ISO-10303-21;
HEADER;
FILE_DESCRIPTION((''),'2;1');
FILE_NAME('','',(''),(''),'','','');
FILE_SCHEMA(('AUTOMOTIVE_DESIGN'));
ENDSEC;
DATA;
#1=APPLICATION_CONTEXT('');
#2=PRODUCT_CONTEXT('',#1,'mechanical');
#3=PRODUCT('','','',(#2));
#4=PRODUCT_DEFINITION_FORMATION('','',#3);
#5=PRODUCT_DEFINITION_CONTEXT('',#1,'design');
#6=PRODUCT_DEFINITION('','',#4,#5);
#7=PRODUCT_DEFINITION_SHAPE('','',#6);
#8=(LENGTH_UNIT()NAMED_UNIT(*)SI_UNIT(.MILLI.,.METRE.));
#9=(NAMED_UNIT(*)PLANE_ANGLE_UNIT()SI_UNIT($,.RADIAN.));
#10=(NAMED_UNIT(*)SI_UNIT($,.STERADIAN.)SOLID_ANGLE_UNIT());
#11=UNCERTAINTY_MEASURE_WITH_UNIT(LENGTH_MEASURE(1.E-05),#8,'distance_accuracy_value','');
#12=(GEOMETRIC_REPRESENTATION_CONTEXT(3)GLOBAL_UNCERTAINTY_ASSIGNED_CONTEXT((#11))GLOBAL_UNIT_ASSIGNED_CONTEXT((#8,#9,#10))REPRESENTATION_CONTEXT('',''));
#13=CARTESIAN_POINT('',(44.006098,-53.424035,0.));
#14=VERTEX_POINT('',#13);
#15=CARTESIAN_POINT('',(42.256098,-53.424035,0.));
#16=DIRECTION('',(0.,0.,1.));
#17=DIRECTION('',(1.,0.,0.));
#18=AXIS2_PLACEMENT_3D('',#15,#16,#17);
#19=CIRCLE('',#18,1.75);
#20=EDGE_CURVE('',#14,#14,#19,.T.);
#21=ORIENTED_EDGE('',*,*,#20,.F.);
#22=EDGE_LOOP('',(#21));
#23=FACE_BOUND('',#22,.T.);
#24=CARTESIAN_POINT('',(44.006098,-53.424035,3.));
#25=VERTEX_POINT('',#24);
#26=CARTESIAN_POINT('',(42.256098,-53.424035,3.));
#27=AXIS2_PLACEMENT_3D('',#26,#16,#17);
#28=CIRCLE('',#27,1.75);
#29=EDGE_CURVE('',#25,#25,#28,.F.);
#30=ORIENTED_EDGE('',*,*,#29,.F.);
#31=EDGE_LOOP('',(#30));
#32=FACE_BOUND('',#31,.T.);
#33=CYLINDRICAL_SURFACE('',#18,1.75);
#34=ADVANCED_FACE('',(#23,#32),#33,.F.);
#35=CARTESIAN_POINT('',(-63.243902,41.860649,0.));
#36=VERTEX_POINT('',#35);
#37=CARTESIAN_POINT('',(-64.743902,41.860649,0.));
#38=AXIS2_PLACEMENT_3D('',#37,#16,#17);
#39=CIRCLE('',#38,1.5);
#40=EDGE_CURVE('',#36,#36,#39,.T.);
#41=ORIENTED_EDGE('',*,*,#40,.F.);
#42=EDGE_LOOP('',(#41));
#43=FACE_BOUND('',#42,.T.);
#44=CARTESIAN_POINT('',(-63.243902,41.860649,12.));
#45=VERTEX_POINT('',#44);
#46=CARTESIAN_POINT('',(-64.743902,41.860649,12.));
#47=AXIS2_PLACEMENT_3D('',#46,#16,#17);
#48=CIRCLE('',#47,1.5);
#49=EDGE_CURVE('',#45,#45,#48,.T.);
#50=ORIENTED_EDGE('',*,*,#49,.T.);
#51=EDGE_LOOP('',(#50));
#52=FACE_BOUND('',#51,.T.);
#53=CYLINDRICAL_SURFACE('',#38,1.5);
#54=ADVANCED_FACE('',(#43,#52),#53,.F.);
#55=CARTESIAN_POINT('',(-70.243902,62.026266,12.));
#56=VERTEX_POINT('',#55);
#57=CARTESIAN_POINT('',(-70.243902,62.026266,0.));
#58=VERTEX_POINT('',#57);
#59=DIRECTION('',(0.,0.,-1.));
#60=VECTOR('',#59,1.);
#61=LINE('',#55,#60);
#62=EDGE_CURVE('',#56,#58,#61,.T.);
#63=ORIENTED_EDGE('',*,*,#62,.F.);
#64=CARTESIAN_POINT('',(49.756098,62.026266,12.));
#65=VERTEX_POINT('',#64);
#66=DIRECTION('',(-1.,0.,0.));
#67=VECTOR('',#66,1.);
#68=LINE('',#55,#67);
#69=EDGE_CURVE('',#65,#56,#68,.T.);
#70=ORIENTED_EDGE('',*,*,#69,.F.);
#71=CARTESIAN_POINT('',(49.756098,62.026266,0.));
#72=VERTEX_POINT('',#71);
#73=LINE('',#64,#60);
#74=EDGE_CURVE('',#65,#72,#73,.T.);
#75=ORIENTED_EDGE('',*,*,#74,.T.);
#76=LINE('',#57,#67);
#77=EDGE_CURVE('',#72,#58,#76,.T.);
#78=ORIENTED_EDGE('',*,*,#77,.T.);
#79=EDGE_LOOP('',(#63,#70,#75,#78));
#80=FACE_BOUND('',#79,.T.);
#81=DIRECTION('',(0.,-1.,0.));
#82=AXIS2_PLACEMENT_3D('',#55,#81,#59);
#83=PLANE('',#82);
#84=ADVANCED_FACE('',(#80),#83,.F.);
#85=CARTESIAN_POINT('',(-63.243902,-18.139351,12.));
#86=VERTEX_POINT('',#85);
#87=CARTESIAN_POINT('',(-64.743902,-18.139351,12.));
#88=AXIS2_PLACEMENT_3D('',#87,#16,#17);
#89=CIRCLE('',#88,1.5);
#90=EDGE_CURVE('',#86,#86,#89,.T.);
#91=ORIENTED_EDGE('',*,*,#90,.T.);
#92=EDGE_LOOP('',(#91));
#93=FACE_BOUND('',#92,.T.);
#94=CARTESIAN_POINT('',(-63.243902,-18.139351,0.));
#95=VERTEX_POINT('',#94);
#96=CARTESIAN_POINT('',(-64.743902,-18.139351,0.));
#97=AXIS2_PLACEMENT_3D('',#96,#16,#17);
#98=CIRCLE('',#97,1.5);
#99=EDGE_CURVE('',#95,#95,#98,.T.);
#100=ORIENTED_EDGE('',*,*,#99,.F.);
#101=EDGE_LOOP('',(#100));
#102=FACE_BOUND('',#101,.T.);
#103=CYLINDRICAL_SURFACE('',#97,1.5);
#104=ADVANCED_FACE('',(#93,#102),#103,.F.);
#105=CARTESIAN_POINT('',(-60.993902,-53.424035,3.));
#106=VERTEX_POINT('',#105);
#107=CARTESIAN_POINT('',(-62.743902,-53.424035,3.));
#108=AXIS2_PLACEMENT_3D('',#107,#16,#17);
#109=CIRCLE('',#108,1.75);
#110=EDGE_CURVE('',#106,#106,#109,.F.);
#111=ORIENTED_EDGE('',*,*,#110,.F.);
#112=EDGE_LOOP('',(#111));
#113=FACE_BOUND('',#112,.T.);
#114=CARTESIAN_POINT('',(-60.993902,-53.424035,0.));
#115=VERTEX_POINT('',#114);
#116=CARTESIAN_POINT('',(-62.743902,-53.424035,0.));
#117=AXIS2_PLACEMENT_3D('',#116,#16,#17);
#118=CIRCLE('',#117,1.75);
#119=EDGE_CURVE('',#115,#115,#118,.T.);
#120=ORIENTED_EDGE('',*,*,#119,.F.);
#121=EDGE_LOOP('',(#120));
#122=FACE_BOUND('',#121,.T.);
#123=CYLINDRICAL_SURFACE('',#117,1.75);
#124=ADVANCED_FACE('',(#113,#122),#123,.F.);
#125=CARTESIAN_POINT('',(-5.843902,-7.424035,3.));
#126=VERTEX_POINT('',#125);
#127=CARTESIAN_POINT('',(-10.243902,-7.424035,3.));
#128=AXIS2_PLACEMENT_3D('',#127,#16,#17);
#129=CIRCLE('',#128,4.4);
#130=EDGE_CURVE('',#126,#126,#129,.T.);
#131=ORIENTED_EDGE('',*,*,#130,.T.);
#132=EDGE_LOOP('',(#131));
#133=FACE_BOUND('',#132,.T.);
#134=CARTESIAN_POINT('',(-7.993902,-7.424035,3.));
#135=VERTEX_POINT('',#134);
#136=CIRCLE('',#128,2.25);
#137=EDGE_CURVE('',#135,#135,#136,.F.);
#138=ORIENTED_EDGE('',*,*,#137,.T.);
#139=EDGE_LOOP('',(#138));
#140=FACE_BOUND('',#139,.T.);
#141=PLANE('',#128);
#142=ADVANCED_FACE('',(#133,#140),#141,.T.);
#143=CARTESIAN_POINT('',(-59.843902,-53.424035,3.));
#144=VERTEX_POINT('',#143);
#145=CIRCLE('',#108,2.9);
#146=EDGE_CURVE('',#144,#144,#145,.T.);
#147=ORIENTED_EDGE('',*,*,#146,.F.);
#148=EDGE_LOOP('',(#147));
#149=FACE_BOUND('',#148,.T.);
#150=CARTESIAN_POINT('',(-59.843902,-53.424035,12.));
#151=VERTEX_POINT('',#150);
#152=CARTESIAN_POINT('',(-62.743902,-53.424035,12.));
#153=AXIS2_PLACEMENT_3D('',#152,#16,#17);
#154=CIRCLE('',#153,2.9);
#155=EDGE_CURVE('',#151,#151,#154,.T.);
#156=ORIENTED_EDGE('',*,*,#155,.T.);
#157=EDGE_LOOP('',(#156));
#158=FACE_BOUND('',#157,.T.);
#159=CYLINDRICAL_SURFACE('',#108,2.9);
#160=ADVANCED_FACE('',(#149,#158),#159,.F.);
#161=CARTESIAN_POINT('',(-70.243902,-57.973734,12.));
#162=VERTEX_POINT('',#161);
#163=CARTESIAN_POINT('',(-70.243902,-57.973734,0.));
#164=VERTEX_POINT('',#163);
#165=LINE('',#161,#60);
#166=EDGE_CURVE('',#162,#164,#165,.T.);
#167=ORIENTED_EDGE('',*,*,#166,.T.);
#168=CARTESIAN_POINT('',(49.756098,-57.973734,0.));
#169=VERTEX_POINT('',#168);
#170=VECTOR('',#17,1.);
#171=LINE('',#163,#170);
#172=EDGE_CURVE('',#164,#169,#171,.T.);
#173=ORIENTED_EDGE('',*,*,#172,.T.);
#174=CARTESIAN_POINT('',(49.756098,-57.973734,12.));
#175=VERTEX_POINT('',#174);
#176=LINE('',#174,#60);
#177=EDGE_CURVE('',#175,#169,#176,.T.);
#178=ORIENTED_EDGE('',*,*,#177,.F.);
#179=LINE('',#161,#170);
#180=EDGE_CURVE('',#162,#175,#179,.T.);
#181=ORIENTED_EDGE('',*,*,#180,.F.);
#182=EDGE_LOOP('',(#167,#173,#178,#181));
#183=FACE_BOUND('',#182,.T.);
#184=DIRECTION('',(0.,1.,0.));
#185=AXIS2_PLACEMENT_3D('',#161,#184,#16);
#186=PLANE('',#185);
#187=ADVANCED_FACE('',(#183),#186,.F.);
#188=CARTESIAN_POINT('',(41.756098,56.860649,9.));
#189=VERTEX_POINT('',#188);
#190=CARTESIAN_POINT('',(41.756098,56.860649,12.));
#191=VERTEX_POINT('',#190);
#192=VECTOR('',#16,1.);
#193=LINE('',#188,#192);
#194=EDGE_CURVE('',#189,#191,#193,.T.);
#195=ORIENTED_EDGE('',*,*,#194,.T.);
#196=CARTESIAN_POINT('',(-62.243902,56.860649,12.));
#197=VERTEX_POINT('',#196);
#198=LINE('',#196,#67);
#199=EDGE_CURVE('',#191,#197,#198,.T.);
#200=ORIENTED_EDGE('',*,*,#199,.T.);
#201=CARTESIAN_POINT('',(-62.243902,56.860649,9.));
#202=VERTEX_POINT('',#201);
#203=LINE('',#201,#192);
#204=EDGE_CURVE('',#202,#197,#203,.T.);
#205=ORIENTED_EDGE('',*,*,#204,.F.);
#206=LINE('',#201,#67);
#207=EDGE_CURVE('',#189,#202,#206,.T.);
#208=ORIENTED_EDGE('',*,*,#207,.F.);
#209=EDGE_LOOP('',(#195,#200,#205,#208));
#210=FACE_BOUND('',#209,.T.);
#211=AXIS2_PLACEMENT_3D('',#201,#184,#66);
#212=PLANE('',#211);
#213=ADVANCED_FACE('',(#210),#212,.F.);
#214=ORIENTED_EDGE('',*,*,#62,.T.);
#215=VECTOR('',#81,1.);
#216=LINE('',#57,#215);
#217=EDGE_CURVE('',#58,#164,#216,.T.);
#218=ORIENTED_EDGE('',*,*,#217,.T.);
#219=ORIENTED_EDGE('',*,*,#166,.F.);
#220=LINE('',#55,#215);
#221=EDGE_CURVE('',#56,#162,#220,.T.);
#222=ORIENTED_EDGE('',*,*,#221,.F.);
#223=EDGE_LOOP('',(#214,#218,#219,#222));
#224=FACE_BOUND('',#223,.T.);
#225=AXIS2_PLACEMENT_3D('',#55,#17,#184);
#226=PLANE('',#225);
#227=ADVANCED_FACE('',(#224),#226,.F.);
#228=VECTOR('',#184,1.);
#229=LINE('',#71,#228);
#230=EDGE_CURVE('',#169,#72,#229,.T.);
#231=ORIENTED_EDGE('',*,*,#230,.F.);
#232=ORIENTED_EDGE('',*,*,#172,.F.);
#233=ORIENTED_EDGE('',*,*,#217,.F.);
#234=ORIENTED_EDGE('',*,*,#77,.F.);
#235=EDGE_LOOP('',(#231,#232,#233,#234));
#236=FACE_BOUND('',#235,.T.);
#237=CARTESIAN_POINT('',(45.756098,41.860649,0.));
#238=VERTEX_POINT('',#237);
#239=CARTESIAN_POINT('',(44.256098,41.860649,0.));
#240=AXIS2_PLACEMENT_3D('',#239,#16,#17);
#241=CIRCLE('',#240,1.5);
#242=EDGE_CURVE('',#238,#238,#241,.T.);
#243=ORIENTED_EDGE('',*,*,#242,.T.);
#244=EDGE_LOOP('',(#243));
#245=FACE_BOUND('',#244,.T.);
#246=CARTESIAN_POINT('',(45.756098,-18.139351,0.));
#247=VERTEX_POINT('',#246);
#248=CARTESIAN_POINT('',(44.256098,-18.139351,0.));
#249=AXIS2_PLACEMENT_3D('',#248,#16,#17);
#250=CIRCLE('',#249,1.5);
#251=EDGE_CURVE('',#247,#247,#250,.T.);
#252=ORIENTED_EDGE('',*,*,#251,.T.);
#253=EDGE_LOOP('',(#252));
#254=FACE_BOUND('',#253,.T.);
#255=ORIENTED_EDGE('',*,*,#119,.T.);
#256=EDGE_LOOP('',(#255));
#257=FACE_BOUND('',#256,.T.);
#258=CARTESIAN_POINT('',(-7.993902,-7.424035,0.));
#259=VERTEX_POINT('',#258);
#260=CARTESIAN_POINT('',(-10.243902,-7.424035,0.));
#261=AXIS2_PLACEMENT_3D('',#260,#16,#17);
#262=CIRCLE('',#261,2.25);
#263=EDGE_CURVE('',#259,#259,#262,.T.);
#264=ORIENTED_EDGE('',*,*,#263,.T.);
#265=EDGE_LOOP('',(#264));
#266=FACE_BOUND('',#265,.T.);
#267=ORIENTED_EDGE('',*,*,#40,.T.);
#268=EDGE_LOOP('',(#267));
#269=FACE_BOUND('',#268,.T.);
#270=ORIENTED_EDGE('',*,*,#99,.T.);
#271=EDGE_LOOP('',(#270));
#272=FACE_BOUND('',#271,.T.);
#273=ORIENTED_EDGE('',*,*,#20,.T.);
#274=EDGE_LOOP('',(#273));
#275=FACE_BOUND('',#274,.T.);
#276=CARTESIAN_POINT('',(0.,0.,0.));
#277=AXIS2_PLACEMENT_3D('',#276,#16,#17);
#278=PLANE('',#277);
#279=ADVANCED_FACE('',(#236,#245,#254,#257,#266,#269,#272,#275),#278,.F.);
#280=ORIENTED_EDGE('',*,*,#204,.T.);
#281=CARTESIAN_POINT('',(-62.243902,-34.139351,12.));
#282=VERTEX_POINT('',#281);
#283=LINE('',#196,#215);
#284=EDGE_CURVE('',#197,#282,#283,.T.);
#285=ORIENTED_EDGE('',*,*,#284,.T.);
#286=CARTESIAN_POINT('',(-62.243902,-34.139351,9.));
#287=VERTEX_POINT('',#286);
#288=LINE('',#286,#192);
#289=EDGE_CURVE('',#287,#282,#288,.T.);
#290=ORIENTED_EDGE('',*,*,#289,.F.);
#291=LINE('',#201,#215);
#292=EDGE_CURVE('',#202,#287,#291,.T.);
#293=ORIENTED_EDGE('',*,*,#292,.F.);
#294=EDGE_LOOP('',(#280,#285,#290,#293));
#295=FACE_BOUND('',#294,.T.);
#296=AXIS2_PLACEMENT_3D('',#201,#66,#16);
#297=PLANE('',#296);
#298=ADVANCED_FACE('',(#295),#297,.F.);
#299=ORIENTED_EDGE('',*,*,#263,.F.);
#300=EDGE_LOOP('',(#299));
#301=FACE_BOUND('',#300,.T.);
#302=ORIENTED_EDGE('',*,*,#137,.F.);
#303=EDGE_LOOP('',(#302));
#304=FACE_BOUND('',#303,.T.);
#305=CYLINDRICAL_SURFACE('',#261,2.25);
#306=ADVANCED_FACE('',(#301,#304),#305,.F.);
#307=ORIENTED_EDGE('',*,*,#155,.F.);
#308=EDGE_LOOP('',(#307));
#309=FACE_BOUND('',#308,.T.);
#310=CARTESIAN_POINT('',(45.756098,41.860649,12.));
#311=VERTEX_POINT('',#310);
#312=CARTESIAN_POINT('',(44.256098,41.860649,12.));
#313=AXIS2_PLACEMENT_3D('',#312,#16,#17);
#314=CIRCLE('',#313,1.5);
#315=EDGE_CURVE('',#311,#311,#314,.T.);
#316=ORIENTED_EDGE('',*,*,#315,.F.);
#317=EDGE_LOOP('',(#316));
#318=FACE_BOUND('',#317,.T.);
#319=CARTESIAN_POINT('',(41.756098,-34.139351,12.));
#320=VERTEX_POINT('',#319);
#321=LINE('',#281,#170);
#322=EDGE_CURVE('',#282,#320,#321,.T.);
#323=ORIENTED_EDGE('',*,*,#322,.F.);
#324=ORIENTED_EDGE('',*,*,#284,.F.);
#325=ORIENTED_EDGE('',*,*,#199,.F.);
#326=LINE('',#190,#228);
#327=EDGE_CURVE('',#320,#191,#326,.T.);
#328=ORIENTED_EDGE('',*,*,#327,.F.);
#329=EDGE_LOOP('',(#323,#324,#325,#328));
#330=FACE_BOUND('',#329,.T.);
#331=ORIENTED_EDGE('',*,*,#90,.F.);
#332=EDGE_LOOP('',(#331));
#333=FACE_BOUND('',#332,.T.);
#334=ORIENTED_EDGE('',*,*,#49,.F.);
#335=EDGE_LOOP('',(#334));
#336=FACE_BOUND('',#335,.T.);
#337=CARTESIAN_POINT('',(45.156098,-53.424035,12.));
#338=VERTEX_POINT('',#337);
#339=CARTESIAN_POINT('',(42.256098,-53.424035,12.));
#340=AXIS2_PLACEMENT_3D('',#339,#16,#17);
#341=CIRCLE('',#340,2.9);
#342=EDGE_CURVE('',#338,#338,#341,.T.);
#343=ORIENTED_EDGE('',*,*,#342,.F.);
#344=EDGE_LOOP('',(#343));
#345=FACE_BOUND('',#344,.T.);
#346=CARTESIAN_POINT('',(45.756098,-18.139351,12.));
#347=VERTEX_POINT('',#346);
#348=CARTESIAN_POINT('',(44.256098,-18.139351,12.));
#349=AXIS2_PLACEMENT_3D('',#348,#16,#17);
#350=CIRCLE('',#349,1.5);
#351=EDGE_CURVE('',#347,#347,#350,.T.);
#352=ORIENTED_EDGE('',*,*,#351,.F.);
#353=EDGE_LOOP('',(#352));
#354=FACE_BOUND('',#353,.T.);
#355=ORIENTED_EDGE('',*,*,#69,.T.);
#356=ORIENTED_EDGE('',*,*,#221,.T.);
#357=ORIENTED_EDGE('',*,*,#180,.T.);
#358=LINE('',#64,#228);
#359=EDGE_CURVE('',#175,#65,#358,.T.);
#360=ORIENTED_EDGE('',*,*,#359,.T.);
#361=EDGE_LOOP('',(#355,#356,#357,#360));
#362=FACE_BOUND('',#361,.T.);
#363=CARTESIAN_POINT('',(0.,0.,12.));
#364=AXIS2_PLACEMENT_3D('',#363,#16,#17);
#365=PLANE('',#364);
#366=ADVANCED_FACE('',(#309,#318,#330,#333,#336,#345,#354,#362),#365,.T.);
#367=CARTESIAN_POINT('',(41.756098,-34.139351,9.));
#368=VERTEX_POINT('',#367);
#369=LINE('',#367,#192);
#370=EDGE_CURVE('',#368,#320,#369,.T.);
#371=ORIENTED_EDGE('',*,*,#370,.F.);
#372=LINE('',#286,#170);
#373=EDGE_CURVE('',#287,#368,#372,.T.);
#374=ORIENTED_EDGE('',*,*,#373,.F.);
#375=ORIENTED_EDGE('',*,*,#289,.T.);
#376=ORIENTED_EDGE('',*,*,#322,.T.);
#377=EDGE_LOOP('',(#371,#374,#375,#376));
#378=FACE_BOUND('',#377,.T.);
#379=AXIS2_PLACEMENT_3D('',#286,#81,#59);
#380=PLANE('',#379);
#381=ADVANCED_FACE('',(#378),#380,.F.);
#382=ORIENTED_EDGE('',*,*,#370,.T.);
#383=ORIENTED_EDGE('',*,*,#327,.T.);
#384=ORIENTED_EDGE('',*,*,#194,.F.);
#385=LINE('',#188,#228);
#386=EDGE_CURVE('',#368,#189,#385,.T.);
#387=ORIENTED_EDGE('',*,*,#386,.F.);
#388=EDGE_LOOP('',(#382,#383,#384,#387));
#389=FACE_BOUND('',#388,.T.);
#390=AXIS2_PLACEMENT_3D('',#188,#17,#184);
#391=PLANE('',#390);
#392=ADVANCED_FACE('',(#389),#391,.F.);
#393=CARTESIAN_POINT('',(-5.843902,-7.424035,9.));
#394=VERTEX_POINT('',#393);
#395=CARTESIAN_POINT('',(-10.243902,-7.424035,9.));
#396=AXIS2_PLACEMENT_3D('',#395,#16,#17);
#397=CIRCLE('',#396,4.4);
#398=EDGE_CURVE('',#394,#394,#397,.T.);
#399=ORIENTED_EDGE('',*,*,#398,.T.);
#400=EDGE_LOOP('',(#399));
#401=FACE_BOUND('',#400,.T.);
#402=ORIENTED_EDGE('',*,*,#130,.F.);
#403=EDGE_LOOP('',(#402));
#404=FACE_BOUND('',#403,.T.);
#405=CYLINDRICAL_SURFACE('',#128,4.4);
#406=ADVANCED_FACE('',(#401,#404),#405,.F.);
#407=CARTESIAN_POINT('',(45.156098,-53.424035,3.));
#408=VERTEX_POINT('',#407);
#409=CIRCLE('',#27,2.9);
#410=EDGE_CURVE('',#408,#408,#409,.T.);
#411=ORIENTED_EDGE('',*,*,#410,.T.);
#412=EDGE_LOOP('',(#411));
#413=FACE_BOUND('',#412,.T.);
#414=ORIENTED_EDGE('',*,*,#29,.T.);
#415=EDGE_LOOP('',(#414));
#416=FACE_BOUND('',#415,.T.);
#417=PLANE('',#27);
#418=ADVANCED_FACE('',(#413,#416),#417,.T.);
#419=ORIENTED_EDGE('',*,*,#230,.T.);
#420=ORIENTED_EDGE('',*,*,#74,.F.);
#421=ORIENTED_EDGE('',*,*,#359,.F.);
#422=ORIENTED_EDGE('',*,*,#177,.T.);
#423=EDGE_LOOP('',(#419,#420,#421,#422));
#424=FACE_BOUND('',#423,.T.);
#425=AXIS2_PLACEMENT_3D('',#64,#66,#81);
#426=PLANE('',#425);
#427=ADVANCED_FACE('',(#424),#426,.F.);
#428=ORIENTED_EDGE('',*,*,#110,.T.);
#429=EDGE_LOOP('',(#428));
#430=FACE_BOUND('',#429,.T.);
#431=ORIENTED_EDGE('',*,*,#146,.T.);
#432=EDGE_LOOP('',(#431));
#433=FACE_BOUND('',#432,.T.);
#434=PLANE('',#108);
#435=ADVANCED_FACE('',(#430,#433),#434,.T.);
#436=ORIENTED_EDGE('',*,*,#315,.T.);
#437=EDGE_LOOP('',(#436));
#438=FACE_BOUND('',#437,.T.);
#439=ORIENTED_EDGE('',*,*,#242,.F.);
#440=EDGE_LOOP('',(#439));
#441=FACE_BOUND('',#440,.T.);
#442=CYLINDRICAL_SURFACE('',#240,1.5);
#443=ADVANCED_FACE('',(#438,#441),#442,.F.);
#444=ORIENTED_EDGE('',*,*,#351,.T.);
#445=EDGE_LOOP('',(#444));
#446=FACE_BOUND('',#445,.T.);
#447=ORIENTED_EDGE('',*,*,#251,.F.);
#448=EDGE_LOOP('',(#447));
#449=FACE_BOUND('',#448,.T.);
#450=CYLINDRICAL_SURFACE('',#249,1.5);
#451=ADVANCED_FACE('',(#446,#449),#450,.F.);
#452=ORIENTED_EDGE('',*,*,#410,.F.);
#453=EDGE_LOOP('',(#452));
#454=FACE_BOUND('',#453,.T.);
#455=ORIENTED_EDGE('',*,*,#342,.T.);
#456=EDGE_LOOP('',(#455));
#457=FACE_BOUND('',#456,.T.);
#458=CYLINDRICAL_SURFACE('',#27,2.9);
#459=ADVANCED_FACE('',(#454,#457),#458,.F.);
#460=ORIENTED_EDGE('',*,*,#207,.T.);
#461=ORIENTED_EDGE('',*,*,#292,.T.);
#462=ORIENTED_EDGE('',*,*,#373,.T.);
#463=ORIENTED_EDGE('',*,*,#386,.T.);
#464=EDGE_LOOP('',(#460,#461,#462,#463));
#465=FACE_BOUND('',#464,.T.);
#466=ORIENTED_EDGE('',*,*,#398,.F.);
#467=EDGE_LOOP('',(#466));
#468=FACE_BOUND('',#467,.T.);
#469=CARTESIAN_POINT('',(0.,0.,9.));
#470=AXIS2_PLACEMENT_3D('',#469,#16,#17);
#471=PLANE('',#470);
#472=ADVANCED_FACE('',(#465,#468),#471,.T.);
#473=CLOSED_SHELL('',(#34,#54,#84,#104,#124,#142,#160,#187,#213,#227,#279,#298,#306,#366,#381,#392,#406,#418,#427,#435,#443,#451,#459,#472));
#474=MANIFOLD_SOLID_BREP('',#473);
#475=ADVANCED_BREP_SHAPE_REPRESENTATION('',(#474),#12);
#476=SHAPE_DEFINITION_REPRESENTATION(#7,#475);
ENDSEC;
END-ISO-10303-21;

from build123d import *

# Parameters (mm, degrees)
SKETCH_1_W          = 120
SKETCH_1_H          = 120
EXTRUDE_1_DEPTH     = 12
SKETCH_2_W          = 104
SKETCH_2_H          = 91
CUT_EXTRUDE_1_DEPTH = 3
SKETCH_4_R          = 2.25
CUT_EXTRUDE_3_DEPTH = 12
SKETCH_6_R          = 1.75
CUT_EXTRUDE_5_DEPTH = 12
SKETCH_7_R          = 2.9
SKETCH_7_R_2        = 4.4
CUT_EXTRUDE_6_DEPTH = 9
SKETCH_8_R          = 1.5
CUT_EXTRUDE_7_DEPTH = 12


with BuildPart() as part:
    # 草图1 → 凸台-拉伸1 (new body)
    with BuildSketch(Plane.XY):
        with Locations((-10.243902439, 2.026266417)):
            Rectangle(SKETCH_1_W, SKETCH_1_H)
    extrude(amount=EXTRUDE_1_DEPTH)

    # 草图2 → 切除-拉伸1 (cut)
    with BuildSketch(Plane.XY.offset(12)):
        with Locations((-10.243902439, 11.360648518)):
            Rectangle(SKETCH_2_W, SKETCH_2_H)
    extrude(amount=-CUT_EXTRUDE_1_DEPTH, mode=Mode.SUBTRACT)

    # 草图4 → 切除-拉伸3 (cut)
    with BuildSketch(Plane.XY.offset(12)):
        with Locations((-10.243902439, -7.42403473)):
            Circle(SKETCH_4_R)
    extrude(amount=-CUT_EXTRUDE_3_DEPTH, mode=Mode.SUBTRACT)

    # 草图6 → 切除-拉伸5 (cut)
    with BuildSketch(Plane.XY.offset(12)):
        with Locations((-62.743902439, -53.42403473)):
            Circle(SKETCH_6_R)
        with Locations((42.256097561, -53.42403473)):
            Circle(SKETCH_6_R)
    extrude(amount=-CUT_EXTRUDE_5_DEPTH, mode=Mode.SUBTRACT)

    # 草图7 → 切除-拉伸6 (cut)
    with BuildSketch(Plane.XY.offset(12)):
        with Locations((-62.743902439, -53.42403473)):
            Circle(SKETCH_7_R)
        with Locations((42.256097561, -53.42403473)):
            Circle(SKETCH_7_R)
        with Locations((-10.243902439, -7.42403473)):
            Circle(SKETCH_7_R_2)
    extrude(amount=-CUT_EXTRUDE_6_DEPTH, mode=Mode.SUBTRACT)

    # 草图8 → 切除-拉伸7 (cut)
    with BuildSketch(Plane.XY.offset(12)):
        with Locations((-64.743902439, -18.139351482)):
            Circle(SKETCH_8_R)
        with Locations((-64.743902439, 41.860648518)):
            Circle(SKETCH_8_R)
        with Locations((44.256097561, 41.860648518)):
            Circle(SKETCH_8_R)
        with Locations((44.256097561, -18.139351482)):
            Circle(SKETCH_8_R)
    extrude(amount=-CUT_EXTRUDE_7_DEPTH, mode=Mode.SUBTRACT)


solid = part.part
